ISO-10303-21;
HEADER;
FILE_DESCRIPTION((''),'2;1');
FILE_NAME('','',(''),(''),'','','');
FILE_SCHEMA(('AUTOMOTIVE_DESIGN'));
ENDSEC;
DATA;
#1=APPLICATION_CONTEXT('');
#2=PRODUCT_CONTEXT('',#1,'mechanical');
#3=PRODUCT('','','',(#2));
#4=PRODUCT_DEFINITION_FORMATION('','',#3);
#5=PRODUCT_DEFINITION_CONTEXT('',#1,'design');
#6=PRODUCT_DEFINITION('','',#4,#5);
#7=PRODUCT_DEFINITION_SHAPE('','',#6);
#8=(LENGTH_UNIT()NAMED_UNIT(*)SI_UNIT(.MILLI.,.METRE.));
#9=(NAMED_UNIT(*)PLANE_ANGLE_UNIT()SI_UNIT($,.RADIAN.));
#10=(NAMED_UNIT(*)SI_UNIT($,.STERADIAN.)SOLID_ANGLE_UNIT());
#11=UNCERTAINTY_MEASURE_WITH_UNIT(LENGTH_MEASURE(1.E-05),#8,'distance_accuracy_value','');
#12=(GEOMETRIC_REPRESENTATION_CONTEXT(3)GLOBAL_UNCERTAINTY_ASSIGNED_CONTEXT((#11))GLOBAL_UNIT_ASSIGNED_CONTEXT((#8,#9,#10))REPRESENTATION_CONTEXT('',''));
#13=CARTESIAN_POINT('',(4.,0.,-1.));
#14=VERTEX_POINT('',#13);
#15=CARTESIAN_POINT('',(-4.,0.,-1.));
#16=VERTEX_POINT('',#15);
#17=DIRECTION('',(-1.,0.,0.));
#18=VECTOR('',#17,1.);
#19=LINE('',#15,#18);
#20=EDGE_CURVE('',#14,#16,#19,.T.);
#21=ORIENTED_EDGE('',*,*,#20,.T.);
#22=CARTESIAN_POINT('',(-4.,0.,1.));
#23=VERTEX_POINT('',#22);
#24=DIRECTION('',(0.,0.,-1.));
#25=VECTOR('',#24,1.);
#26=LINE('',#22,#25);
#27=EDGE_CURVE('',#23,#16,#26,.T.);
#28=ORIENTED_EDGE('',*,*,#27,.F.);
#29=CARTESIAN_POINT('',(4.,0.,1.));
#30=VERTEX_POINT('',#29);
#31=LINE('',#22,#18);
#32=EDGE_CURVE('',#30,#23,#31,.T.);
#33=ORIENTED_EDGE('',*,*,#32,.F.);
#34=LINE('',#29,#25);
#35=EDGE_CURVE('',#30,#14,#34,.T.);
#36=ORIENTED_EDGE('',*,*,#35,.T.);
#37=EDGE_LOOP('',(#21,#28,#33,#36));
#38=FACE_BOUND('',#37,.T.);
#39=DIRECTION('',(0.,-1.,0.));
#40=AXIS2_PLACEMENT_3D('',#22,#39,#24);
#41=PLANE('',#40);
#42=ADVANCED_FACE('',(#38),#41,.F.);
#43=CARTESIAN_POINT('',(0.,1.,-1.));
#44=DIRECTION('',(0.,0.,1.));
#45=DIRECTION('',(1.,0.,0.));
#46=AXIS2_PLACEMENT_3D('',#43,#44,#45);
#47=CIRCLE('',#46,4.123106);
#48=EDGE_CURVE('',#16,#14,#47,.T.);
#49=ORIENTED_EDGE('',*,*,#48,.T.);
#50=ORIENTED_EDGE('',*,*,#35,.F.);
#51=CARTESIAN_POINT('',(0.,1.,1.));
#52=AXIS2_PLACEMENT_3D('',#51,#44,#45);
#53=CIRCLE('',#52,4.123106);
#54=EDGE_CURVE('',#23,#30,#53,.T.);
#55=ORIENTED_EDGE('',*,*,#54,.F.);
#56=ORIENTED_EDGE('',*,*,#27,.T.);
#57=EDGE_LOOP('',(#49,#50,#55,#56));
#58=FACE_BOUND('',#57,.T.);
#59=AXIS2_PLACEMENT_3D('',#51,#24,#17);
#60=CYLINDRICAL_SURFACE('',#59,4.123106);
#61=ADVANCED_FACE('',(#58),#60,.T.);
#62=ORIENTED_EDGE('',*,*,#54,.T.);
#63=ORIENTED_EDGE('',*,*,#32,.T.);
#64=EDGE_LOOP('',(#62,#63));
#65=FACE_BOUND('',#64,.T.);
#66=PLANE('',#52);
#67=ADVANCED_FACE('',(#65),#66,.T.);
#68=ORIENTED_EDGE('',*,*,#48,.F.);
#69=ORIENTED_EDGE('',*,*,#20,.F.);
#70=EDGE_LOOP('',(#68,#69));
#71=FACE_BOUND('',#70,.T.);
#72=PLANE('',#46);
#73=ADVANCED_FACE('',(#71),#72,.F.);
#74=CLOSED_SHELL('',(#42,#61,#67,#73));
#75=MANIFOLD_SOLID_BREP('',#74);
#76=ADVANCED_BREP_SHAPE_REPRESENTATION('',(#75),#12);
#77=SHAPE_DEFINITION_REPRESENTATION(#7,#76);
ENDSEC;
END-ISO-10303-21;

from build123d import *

# Parameters (mm, degrees)
BOSS_EXTRUDE1_DEPTH = 1


with BuildPart() as part:
    # Sketch1 → Boss-Extrude1 (new, symmetric)
    with BuildSketch(Plane.XY):
        with BuildLine():
            Line((-4, 0), (4, 0))
            ThreePointArc((4, 0), (0, -3.123105626), (-4, 0))
        make_face()
    extrude(amount=BOSS_EXTRUDE1_DEPTH, both=True)


solid = part.part
